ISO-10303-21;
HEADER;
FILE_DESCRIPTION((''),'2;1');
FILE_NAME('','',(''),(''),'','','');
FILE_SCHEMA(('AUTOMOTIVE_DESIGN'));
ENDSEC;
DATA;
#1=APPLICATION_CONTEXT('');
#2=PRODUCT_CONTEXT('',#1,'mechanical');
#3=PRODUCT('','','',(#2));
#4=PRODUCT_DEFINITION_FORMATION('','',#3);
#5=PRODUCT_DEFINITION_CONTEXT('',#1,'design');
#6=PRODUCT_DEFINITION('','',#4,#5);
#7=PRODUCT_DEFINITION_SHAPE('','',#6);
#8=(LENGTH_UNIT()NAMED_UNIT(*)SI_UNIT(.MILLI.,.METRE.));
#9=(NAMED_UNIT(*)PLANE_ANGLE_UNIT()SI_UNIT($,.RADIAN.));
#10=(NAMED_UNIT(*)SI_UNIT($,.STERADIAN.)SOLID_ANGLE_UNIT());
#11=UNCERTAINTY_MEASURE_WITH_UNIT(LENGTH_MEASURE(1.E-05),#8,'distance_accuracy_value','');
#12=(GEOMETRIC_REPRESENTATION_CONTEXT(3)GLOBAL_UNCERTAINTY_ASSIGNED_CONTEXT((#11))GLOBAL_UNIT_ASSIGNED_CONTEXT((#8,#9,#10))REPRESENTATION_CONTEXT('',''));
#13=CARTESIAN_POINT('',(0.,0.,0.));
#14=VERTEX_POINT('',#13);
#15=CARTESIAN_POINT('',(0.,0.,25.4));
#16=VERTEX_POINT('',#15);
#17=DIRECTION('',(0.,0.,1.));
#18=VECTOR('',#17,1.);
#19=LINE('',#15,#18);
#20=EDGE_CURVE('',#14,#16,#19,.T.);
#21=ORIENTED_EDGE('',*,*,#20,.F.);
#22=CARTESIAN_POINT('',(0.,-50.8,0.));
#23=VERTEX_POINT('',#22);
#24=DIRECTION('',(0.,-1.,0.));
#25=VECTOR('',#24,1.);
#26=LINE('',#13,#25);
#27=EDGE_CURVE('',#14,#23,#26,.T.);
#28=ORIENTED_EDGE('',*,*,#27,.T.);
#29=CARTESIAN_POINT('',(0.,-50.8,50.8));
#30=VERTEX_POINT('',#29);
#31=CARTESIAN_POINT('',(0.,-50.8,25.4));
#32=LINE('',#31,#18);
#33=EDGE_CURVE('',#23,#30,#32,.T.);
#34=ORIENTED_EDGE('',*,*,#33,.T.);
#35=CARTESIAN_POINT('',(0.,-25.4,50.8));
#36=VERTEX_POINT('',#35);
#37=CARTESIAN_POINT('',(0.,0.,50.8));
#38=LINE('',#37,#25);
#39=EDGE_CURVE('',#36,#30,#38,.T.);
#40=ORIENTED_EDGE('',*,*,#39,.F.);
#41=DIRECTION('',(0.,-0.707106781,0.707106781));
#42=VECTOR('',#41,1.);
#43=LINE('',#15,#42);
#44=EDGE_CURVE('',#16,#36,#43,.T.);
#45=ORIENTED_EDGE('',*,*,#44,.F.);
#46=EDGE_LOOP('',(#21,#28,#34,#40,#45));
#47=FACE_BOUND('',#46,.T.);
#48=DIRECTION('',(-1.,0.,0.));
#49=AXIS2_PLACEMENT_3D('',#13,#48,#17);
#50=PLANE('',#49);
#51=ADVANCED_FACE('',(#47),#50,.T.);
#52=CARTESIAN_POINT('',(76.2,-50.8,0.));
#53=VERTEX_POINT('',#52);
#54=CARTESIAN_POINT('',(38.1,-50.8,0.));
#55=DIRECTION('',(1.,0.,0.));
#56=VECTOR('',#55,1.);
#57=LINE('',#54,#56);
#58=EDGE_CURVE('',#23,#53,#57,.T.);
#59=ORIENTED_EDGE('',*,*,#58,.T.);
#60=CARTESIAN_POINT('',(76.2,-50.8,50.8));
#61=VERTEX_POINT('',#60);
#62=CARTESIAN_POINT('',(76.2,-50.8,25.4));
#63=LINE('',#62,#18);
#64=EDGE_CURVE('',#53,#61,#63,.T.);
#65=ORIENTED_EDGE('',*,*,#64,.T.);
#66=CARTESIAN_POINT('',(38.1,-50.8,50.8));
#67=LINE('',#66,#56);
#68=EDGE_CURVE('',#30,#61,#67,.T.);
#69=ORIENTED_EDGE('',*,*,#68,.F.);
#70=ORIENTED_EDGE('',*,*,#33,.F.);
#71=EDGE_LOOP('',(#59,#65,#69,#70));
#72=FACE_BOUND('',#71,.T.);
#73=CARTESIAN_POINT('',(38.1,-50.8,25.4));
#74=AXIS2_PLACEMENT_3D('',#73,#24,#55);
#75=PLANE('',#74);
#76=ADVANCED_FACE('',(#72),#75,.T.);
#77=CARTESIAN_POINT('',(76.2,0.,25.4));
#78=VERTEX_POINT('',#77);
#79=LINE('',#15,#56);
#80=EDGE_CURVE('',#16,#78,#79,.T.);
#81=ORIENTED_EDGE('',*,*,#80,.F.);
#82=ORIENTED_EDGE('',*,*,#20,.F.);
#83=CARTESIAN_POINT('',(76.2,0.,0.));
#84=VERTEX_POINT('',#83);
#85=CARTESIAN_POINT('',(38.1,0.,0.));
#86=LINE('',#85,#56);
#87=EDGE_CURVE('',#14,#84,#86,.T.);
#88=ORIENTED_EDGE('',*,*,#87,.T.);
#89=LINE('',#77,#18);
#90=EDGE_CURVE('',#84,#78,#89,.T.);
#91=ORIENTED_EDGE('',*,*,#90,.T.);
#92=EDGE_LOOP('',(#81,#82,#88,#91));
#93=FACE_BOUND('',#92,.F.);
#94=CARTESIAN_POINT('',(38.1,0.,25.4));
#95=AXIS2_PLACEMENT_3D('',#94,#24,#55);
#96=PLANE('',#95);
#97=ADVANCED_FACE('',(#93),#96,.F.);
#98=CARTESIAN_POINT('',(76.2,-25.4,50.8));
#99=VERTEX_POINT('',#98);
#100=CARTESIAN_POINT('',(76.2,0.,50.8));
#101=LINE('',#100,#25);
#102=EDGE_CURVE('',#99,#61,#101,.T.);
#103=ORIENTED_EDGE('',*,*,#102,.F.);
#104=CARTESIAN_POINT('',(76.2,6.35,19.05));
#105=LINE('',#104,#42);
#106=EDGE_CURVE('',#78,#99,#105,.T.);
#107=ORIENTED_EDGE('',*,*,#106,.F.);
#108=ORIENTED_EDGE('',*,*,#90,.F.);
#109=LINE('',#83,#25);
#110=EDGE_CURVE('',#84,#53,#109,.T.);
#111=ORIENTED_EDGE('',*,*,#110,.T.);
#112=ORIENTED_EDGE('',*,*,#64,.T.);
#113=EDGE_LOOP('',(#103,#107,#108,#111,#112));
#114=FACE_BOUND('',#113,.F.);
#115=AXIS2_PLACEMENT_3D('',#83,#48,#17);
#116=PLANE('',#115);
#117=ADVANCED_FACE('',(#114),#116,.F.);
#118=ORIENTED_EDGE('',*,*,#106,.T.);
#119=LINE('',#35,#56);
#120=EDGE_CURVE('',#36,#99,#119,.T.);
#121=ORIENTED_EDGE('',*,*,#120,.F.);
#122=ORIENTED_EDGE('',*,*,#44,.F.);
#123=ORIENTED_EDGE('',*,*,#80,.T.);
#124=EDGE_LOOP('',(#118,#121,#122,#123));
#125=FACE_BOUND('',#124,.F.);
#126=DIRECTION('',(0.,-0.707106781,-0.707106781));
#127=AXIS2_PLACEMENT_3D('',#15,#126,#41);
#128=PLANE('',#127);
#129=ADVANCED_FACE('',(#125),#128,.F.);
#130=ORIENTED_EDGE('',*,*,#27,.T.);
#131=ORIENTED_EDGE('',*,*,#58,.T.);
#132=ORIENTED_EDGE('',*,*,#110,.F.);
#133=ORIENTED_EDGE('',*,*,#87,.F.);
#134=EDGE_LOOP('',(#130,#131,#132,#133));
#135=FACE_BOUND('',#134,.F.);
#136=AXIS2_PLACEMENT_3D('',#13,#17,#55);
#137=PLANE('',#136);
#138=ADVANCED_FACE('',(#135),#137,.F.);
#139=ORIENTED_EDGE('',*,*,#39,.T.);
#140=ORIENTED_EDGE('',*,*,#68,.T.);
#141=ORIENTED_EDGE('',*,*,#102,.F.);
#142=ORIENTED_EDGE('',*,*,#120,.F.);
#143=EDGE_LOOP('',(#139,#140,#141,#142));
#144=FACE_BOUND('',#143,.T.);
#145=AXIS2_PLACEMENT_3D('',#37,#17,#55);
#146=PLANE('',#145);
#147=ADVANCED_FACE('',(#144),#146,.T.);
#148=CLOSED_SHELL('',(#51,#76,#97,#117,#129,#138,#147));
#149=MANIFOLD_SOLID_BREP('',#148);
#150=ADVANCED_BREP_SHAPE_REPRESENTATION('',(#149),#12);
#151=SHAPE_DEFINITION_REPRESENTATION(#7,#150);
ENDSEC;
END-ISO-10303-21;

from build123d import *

# Parameters (mm, degrees)
F0_W     = 76.2
F0_H     = 50.8
F1_DEPTH = 50.8
F3_DEPTH = 76.201


with BuildPart() as f1:
    # F0 (on Front) → F1 (new body)
    with BuildSketch(Plane.XZ):
        with Locations((38.1, 25.4)):
            Rectangle(F0_W, F0_H)
    extrude(amount=F1_DEPTH)

    # F2 (on face) → F3 (cut, through all)
    with BuildSketch(Plane(origin=(0, 0, 0), x_dir=(0, -1, 0), z_dir=(-1, 0, 0))):
        Polygon((0, 50.8), (0, 25.4), (25.4, 50.8), align=None)
    extrude(amount=-F3_DEPTH, mode=Mode.SUBTRACT)


solid = f1.part
